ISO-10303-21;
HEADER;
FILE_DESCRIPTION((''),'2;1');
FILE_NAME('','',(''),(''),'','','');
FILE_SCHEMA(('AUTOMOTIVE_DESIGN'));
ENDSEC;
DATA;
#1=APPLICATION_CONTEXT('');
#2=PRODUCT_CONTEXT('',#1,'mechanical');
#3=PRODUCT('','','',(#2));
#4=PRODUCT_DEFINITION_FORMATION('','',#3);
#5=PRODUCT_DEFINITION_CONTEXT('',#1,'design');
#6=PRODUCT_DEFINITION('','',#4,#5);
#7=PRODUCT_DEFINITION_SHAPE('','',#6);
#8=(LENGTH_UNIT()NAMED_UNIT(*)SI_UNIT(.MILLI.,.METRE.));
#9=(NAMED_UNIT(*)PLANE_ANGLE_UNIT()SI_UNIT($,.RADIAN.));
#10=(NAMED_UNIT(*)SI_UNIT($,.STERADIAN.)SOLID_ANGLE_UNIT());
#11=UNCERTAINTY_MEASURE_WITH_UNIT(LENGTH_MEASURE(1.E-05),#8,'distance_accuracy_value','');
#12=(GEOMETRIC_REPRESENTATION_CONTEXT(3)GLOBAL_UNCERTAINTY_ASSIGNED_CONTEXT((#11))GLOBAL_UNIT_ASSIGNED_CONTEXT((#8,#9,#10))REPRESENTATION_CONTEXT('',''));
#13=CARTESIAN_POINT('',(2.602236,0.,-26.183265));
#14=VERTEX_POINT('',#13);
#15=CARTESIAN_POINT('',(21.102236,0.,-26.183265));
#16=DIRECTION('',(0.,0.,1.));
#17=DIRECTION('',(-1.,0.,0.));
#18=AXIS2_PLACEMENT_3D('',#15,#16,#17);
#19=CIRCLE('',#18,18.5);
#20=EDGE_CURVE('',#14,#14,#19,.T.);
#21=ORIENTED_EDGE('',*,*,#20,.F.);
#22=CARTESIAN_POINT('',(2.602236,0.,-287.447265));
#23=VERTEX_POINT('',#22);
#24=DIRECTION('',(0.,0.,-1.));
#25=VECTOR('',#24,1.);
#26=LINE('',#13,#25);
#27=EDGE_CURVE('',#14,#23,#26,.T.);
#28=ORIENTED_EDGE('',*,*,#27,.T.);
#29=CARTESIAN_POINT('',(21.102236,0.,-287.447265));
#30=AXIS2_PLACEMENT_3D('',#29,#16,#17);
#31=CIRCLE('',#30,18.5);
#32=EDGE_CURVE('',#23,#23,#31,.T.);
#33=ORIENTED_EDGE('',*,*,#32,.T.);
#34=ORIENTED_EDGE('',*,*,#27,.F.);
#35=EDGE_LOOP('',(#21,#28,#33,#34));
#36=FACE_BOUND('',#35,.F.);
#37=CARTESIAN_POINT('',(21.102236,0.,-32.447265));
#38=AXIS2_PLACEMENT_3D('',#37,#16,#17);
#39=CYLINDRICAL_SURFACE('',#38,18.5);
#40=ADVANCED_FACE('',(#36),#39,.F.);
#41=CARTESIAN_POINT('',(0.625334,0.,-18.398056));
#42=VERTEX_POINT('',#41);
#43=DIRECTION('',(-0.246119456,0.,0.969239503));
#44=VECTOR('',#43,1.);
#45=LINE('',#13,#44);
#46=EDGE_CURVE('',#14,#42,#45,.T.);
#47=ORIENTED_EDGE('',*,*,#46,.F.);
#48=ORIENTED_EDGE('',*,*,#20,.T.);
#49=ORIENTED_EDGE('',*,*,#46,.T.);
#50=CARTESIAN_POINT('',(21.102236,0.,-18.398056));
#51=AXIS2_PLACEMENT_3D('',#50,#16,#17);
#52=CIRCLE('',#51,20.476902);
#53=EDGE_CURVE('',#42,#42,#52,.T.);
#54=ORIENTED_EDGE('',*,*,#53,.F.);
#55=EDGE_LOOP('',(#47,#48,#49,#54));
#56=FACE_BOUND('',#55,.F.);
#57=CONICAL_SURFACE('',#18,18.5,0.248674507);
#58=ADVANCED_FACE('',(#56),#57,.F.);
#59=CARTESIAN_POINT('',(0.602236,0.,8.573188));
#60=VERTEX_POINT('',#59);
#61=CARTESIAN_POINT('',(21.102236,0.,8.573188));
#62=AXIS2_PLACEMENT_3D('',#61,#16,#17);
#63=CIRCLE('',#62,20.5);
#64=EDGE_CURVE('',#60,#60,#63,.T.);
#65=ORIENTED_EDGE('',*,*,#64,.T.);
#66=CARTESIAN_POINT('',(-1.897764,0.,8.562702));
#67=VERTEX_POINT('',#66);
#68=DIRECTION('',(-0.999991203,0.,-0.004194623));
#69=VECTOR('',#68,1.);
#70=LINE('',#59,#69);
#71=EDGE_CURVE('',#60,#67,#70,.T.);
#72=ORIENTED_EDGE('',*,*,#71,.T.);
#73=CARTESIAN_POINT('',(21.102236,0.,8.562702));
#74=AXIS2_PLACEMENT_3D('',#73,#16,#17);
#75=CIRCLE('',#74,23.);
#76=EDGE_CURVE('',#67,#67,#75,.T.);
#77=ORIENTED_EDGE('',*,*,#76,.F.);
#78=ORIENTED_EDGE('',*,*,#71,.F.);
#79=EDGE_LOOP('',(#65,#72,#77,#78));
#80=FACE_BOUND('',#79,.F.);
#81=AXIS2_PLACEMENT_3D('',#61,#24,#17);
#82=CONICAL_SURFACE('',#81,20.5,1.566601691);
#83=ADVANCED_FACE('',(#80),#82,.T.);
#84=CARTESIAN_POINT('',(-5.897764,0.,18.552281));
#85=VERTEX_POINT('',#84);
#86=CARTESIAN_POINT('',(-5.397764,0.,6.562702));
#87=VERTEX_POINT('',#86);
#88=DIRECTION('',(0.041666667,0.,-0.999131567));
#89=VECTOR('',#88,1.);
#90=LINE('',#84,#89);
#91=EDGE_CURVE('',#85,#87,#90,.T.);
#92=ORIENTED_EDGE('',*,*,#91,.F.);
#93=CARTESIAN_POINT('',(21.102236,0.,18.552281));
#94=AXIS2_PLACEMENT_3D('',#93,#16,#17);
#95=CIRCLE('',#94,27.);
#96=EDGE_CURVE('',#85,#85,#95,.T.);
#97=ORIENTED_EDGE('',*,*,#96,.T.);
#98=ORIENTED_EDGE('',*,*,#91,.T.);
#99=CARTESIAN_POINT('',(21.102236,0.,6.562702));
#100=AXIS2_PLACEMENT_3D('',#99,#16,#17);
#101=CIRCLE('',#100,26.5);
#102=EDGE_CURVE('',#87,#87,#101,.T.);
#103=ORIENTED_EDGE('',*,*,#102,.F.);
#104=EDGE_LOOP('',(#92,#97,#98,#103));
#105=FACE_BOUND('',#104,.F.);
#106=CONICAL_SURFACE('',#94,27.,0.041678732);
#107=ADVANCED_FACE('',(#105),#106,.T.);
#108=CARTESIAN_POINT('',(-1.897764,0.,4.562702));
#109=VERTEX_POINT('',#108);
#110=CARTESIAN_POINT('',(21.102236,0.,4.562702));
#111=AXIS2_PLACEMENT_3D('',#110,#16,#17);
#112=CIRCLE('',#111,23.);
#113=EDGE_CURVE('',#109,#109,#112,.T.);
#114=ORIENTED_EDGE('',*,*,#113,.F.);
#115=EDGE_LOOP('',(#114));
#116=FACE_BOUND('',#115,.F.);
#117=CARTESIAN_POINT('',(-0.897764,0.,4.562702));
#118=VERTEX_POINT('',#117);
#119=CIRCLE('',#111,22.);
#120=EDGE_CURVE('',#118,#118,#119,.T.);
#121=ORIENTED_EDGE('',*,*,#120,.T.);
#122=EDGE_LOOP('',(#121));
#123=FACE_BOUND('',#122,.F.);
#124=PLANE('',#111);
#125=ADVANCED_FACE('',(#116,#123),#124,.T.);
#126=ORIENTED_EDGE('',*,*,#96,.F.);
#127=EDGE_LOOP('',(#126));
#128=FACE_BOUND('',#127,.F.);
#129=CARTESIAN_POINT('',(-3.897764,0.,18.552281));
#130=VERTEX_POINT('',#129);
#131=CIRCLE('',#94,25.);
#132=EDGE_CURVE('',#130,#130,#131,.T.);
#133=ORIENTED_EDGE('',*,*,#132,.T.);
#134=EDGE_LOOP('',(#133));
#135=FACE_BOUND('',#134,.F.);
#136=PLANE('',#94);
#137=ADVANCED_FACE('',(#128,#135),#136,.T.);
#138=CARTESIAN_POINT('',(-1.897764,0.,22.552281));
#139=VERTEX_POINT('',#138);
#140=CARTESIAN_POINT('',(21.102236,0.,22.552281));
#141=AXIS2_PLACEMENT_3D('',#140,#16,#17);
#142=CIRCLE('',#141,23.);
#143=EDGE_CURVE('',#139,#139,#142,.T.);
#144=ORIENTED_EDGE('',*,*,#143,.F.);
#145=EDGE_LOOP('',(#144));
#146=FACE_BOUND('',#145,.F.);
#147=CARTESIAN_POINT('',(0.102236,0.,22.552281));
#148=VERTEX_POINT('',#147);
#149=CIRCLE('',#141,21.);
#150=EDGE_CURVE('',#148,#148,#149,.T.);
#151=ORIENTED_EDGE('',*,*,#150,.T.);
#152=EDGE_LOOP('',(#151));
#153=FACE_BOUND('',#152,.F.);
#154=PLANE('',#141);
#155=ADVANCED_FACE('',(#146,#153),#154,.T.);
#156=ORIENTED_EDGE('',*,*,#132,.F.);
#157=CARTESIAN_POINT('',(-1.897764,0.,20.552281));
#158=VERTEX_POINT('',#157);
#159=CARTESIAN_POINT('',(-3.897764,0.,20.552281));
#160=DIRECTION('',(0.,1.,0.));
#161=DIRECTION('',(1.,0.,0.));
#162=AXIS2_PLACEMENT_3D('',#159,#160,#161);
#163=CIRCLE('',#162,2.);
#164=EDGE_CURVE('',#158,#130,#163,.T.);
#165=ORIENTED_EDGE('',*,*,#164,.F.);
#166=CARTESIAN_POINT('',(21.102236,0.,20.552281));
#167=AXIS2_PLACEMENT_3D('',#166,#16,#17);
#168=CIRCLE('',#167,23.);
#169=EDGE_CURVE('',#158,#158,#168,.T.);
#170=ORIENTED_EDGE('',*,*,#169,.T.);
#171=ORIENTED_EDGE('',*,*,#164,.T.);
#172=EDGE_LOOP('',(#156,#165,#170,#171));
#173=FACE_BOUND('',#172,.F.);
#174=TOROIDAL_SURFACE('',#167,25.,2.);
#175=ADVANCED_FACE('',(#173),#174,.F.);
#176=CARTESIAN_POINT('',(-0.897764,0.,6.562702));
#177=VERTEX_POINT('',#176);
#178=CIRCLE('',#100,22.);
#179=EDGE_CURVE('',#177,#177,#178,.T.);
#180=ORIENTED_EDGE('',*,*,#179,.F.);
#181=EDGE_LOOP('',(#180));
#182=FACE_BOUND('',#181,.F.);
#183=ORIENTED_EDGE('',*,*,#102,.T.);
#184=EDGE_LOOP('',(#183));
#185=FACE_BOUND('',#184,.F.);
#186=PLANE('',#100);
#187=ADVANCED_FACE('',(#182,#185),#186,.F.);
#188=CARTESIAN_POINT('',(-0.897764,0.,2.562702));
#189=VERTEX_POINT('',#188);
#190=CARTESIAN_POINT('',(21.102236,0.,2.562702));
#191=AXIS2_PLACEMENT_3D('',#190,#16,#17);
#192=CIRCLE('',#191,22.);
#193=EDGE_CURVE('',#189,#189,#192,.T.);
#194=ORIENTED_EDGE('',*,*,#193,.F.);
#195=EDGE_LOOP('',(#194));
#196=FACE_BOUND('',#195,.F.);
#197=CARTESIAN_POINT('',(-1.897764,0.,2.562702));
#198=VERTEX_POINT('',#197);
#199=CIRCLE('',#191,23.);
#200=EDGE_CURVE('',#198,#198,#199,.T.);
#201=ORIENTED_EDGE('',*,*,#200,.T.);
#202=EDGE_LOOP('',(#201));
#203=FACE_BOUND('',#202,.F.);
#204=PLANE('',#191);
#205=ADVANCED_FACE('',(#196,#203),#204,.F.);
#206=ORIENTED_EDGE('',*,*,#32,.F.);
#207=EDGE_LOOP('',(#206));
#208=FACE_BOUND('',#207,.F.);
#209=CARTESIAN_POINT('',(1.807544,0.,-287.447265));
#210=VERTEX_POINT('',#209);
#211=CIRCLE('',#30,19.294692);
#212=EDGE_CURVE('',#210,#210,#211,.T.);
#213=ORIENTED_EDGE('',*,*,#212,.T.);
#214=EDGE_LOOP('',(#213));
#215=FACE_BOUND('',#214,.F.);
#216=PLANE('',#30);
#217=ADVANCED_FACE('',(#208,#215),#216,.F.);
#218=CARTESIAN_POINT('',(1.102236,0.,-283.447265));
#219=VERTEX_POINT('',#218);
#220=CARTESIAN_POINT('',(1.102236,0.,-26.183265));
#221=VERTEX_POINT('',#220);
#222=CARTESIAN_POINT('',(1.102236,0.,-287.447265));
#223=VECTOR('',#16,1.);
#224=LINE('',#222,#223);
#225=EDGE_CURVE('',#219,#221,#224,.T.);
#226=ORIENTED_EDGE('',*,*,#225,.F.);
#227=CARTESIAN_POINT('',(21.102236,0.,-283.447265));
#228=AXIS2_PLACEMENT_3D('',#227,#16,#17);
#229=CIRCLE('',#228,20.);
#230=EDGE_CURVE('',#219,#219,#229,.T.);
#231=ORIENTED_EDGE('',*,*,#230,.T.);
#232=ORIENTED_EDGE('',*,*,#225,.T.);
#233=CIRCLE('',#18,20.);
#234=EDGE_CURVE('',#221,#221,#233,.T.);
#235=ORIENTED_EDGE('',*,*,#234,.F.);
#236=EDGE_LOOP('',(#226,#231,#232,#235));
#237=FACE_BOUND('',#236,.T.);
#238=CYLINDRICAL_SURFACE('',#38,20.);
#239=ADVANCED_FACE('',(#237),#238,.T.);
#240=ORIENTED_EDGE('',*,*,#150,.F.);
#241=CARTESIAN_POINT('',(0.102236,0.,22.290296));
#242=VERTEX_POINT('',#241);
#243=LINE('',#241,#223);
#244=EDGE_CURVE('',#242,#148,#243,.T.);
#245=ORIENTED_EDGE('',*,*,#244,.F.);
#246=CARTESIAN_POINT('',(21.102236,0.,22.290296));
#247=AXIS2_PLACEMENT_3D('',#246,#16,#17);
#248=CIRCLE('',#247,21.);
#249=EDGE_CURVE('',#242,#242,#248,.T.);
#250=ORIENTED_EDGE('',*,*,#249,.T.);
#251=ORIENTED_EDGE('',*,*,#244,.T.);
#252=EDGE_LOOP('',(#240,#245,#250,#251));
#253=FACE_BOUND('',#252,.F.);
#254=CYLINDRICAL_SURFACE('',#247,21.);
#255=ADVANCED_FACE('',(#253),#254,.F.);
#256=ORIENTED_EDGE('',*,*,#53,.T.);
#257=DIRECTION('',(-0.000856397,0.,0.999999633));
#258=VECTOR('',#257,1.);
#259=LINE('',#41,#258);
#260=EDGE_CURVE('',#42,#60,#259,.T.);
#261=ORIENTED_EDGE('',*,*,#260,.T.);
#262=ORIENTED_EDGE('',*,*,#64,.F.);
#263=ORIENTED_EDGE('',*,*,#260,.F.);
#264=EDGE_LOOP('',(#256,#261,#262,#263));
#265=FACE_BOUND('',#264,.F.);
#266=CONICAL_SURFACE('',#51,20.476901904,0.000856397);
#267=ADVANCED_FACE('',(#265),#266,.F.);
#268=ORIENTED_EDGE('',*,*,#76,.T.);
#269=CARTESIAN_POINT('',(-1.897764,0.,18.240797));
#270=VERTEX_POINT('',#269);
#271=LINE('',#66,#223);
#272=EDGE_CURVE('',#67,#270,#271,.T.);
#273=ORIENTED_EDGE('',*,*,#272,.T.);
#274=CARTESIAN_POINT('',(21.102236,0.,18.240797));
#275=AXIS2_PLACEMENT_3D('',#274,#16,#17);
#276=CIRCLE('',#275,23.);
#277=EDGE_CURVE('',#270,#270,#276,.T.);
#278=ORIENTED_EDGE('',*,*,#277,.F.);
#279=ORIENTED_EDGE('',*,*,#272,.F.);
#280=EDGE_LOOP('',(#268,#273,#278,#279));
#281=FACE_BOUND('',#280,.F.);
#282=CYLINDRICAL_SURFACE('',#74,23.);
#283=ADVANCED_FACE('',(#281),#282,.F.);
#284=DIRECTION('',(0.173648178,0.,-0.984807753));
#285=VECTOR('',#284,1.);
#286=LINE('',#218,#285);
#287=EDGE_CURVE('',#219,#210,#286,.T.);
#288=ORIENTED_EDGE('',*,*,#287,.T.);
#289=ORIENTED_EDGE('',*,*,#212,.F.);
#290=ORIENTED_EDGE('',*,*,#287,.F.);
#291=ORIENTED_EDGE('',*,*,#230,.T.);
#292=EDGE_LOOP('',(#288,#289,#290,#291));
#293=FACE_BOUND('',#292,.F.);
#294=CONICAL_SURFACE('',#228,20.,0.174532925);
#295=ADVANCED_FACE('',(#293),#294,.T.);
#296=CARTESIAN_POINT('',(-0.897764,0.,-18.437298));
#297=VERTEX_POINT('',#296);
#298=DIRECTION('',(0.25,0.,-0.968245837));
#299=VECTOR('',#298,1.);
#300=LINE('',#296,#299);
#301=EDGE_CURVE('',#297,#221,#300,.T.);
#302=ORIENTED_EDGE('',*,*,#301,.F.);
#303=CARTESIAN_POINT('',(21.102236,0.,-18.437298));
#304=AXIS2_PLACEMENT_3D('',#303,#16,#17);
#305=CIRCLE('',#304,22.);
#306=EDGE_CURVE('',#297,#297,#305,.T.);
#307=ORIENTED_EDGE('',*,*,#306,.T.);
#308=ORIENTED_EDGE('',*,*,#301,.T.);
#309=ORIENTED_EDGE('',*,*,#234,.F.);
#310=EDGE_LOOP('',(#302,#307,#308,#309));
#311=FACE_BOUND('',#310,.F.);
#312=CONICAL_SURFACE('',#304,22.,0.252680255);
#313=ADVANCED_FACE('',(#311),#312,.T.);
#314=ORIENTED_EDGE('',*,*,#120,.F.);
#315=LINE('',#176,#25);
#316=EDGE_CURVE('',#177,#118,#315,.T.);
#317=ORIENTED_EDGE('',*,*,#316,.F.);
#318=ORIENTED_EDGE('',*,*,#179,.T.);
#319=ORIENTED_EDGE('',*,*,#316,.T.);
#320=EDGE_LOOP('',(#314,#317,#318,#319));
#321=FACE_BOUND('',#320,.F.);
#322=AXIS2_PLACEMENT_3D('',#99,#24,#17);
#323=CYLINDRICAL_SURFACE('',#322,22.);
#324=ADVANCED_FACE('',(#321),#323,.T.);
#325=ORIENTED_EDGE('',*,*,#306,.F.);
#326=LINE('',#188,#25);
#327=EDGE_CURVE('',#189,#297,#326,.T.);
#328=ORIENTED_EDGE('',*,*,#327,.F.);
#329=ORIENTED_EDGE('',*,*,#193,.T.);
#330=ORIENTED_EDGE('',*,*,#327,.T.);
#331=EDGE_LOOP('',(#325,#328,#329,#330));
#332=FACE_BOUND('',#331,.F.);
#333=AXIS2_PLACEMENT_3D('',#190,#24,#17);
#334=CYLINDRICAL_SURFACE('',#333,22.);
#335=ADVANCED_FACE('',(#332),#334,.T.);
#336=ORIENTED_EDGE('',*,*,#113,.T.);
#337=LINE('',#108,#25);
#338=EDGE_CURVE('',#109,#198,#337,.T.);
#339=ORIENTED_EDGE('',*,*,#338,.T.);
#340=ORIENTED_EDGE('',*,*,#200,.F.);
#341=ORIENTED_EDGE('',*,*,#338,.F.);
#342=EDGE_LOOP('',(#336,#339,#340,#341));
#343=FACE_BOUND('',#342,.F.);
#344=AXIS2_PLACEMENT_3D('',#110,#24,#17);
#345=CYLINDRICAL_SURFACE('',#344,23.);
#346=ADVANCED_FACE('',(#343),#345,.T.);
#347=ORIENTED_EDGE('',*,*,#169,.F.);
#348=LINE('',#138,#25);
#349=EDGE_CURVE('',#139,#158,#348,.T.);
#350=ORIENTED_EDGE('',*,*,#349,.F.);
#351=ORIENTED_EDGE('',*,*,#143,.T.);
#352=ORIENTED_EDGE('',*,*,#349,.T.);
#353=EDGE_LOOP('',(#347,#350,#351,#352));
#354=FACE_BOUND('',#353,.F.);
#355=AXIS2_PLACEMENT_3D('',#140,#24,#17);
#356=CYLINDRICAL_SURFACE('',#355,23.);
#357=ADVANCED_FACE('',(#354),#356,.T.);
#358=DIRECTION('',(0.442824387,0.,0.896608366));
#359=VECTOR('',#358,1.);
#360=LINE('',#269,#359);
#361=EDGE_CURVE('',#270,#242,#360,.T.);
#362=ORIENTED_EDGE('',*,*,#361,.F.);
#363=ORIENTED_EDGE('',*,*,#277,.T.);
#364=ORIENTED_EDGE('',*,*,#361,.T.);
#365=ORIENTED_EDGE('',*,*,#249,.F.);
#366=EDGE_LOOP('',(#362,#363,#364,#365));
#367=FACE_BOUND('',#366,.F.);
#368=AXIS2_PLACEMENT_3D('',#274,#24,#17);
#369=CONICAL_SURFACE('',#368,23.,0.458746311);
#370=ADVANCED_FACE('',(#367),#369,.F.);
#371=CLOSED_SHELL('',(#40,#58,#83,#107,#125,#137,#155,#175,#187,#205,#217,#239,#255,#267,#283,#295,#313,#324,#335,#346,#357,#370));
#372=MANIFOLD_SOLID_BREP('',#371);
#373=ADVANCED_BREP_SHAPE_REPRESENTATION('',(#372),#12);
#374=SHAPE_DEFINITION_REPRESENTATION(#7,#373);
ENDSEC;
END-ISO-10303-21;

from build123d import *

# Parameters (mm, degrees)
F0_W     = 1.5
F0_H     = 6.264
F2_DEPTH = 255
F3_SIZE2 = 0.7053079228
F3_SIZE  = 4


with BuildPart() as f1:
    # F0 (on Front) → F1 (revolve)
    with BuildSketch(Plane.XZ):
        with BuildLine():
            Line((-1.8977640684, 2.5627018091), (-0.8977640684, 2.5627018091))
            Line((-0.8977640684, 2.5627018091), (-0.8977640684, -18.4372981909))
            Line((-0.8977640684, -18.4372981909), (1.1022359316, -26.1832648833))
            Line((1.1022359316, -26.1832648833), (2.6022359316, -26.1832648833))
            Line((2.6022359316, -26.1832648833), (0.6253340279, -18.3980558312))
            Line((0.6253340279, -18.3980558312), (0.6022359316, 8.5731884591))
            Line((0.6022359316, 8.5731884591), (-1.8977640684, 8.5627018091))
            Line((-1.8977640684, 8.5627018091), (-1.8977640684, 18.240797309))
            Line((-1.8977640684, 18.240797309), (0.1022359316, 22.2902958969))
            Line((0.1022359316, 22.2902958969), (0.1022359316, 22.5522806174))
            Line((0.1022359316, 22.5522806174), (-1.8977640684, 22.5522806174))
            Line((-1.8977640684, 22.5522806174), (-1.8977640684, 20.5522806174))
            ThreePointArc((-1.8977640684, 20.5522806174), (-2.483550506, 19.138067055), (-3.8977640684, 18.5522806174))
            Line((-3.8977640684, 18.5522806174), (-5.8977640684, 18.5522806174))
            Line((-5.8977640684, 18.5522806174), (-5.3977640684, 6.5627018091))
            Line((-5.3977640684, 6.5627018091), (-0.8977640684, 6.5627018091))
            Line((-0.8977640684, 6.5627018091), (-0.8977640684, 4.5627018091))
            Line((-0.8977640684, 4.5627018091), (-1.8977640684, 4.5627018091))
            Line((-1.8977640684, 4.5627018091), (-1.8977640684, 2.5627018091))
        make_face()
        with Locations((1.8522359316, -29.3152648833)):
            Rectangle(F0_W, F0_H)
    revolve(axis=Axis((21.1022359316, 0, -25.8119600499), (0, 0, 1)))

    # F2 (add): a face of the model
    f2_faces = [f1.faces().sort_by_distance(p)[0] for p in [
        (40.5365505067, 0, -32.4472648833),
    ]]
    extrude(f2_faces, amount=F2_DEPTH)

    # F3
    f3_edges = [f1.edges().sort_by_distance(p)[0] for p in [
        (41.102236, 0, -287.447265),
    ]]
    chamfer(f3_edges, length=F3_SIZE, length2=F3_SIZE2)


solid = f1.part
